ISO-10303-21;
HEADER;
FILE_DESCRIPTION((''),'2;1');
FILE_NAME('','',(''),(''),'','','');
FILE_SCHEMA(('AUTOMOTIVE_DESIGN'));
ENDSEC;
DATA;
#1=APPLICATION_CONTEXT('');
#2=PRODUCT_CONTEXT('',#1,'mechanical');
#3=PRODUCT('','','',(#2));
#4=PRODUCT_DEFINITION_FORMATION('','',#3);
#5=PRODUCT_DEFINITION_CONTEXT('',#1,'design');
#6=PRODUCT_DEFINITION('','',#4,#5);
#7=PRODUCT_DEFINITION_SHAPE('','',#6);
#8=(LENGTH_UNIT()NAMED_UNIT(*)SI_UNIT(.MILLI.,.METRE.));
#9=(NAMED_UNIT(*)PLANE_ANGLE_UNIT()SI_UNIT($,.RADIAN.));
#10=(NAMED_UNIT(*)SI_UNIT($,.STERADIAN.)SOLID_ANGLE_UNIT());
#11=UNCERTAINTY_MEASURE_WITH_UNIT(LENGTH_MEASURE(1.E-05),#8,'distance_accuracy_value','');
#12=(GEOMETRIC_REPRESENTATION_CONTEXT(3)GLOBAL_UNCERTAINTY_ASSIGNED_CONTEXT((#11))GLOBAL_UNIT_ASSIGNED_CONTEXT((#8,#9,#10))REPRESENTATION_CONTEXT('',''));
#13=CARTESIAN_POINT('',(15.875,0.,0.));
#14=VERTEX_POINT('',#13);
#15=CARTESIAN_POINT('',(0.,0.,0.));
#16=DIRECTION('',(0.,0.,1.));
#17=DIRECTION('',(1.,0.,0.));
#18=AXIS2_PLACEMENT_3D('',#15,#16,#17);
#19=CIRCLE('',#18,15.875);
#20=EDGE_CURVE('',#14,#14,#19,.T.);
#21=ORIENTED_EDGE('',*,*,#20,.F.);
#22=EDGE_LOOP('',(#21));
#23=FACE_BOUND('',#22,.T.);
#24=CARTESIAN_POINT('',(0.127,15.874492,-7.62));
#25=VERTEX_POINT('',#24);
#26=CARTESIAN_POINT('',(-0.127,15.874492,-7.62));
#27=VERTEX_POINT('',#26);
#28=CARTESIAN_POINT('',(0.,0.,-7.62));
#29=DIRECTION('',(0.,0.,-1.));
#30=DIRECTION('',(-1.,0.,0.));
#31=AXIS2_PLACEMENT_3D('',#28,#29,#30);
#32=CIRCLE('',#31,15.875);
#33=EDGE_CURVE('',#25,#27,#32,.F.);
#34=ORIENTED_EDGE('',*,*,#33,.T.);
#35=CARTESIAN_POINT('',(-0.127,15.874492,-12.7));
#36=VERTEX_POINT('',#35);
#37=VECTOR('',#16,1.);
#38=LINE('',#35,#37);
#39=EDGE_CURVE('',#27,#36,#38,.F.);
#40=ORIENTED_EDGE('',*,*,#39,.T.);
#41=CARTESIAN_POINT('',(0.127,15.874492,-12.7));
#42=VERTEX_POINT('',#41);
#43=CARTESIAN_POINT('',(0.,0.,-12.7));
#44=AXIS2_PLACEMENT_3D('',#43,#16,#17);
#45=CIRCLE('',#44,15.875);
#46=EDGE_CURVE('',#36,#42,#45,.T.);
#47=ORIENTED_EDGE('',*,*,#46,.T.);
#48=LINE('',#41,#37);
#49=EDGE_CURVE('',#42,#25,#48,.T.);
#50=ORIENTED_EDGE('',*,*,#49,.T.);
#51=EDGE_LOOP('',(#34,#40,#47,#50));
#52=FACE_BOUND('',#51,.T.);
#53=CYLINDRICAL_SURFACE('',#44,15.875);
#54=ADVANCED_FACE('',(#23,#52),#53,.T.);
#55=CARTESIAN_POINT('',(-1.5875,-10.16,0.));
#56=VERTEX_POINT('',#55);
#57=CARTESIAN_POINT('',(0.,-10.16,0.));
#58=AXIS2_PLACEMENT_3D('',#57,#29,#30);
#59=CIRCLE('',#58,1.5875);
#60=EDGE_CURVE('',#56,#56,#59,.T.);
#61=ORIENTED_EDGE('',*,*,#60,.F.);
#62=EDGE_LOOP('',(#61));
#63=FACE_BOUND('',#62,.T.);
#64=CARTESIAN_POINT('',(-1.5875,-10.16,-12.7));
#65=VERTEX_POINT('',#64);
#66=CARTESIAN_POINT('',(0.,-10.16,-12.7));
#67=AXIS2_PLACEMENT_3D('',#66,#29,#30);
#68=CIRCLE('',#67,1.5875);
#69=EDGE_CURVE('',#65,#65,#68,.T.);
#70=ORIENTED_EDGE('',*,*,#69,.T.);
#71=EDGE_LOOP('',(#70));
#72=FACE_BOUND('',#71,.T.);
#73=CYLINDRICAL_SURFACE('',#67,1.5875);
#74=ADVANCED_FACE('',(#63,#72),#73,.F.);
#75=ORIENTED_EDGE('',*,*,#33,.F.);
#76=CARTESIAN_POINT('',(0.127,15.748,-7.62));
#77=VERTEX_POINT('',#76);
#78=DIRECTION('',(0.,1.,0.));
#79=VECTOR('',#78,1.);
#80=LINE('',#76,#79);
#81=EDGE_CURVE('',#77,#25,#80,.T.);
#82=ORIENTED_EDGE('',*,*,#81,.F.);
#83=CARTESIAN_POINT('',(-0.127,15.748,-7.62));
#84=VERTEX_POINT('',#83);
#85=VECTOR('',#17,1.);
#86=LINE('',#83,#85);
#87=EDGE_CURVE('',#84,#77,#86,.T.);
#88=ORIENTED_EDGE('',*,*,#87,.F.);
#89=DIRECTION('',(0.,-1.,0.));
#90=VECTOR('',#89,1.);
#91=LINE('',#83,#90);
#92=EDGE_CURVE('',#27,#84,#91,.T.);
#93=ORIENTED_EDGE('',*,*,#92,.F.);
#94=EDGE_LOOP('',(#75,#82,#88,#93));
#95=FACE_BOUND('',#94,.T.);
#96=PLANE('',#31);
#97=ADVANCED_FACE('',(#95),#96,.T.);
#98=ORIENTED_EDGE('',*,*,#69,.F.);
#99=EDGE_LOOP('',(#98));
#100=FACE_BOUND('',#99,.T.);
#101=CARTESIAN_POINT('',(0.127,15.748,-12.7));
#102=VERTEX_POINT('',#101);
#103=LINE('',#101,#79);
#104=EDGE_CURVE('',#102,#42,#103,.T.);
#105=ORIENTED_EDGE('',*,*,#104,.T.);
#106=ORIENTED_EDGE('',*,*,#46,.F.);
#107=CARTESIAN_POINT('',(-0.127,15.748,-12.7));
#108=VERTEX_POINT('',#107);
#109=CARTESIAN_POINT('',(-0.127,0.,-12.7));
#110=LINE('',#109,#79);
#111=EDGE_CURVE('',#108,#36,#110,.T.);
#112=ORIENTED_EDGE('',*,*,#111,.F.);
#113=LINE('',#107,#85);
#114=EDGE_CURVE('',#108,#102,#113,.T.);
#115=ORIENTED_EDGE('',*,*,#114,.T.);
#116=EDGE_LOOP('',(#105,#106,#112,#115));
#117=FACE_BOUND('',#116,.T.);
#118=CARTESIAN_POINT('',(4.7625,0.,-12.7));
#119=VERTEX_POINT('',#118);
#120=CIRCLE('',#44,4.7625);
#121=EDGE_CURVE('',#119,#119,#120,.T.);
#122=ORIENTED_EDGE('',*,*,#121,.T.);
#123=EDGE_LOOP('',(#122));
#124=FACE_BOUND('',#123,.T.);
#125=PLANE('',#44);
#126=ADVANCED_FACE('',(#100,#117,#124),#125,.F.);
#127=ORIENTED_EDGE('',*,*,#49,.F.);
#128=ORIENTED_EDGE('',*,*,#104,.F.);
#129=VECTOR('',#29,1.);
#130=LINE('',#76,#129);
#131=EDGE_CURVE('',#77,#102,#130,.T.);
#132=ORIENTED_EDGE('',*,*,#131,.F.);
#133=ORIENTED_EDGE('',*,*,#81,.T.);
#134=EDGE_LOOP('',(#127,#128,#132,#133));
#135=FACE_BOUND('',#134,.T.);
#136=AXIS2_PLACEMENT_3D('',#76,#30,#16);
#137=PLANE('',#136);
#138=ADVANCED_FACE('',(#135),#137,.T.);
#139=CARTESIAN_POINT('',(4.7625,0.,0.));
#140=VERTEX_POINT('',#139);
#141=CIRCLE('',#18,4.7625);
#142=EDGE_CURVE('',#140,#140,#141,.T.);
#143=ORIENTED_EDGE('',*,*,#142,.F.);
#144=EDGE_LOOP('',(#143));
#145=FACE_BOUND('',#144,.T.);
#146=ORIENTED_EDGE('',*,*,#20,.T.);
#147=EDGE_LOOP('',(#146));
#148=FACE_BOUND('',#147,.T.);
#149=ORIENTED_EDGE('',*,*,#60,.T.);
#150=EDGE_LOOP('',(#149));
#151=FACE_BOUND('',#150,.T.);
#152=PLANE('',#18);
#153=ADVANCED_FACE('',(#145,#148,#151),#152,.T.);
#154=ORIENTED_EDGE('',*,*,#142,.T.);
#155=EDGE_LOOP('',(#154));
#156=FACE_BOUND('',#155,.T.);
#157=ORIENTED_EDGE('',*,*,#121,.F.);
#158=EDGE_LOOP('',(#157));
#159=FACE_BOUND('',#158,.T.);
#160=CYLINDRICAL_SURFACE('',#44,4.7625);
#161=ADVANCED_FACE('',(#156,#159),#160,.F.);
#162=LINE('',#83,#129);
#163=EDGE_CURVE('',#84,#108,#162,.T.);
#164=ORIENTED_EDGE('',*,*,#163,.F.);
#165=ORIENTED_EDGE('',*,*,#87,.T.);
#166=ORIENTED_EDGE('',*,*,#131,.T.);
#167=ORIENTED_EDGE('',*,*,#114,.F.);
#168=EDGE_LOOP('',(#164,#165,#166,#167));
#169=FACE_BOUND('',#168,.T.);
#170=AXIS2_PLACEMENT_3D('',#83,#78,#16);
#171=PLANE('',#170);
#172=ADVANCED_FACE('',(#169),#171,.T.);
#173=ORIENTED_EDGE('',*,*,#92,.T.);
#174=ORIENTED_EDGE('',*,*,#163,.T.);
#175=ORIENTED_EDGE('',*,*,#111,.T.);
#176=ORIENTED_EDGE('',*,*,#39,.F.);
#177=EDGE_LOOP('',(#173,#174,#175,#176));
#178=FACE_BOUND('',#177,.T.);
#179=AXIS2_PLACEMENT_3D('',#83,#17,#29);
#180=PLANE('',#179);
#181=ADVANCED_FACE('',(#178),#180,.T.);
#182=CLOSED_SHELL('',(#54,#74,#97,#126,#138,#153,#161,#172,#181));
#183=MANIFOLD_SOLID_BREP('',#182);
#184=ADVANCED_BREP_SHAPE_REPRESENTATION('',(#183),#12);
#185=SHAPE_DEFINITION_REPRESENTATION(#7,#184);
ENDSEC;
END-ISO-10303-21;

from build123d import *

# Parameters (mm, degrees)
SKETCH1_R                     = 15.875
SKETCH1_R_2                   = 4.7625
BOSS_EXTRUDE1_DEPTH           = 12.7
SKETCH3_W                     = 0.254
SKETCH3_H                     = 0.127
F_001_LINE_CUT_EXTRUDE1_DEPTH = 5.08
F_1_8_0_1250_DOWEL_HOLE1_D    = 3.175


with BuildPart() as part:
    # Sketch1 → Boss-Extrude1 (new body)
    with BuildSketch(Plane.XY):
        Circle(SKETCH1_R)
        Circle(SKETCH1_R_2, mode=Mode.SUBTRACT)
    extrude(amount=-BOSS_EXTRUDE1_DEPTH)

    # Sketch3 → .001 line Cut-Extrude1 (cut)
    with BuildSketch(Plane.XY.offset(-12.7)):
        with Locations((0, 15.8115)):
            Rectangle(SKETCH3_W, SKETCH3_H)
    extrude(amount=F_001_LINE_CUT_EXTRUDE1_DEPTH, mode=Mode.SUBTRACT)

    # 1/8 (0.1250) Dowel Hole1 (through all)
    with Locations(Plane(origin=(0, 0, -12.7), x_dir=(-1, 0, 0), z_dir=(0, 0, -1))):
        with Locations((0, -10.16)):
            Hole(F_1_8_0_1250_DOWEL_HOLE1_D / 2)


solid = part.part
